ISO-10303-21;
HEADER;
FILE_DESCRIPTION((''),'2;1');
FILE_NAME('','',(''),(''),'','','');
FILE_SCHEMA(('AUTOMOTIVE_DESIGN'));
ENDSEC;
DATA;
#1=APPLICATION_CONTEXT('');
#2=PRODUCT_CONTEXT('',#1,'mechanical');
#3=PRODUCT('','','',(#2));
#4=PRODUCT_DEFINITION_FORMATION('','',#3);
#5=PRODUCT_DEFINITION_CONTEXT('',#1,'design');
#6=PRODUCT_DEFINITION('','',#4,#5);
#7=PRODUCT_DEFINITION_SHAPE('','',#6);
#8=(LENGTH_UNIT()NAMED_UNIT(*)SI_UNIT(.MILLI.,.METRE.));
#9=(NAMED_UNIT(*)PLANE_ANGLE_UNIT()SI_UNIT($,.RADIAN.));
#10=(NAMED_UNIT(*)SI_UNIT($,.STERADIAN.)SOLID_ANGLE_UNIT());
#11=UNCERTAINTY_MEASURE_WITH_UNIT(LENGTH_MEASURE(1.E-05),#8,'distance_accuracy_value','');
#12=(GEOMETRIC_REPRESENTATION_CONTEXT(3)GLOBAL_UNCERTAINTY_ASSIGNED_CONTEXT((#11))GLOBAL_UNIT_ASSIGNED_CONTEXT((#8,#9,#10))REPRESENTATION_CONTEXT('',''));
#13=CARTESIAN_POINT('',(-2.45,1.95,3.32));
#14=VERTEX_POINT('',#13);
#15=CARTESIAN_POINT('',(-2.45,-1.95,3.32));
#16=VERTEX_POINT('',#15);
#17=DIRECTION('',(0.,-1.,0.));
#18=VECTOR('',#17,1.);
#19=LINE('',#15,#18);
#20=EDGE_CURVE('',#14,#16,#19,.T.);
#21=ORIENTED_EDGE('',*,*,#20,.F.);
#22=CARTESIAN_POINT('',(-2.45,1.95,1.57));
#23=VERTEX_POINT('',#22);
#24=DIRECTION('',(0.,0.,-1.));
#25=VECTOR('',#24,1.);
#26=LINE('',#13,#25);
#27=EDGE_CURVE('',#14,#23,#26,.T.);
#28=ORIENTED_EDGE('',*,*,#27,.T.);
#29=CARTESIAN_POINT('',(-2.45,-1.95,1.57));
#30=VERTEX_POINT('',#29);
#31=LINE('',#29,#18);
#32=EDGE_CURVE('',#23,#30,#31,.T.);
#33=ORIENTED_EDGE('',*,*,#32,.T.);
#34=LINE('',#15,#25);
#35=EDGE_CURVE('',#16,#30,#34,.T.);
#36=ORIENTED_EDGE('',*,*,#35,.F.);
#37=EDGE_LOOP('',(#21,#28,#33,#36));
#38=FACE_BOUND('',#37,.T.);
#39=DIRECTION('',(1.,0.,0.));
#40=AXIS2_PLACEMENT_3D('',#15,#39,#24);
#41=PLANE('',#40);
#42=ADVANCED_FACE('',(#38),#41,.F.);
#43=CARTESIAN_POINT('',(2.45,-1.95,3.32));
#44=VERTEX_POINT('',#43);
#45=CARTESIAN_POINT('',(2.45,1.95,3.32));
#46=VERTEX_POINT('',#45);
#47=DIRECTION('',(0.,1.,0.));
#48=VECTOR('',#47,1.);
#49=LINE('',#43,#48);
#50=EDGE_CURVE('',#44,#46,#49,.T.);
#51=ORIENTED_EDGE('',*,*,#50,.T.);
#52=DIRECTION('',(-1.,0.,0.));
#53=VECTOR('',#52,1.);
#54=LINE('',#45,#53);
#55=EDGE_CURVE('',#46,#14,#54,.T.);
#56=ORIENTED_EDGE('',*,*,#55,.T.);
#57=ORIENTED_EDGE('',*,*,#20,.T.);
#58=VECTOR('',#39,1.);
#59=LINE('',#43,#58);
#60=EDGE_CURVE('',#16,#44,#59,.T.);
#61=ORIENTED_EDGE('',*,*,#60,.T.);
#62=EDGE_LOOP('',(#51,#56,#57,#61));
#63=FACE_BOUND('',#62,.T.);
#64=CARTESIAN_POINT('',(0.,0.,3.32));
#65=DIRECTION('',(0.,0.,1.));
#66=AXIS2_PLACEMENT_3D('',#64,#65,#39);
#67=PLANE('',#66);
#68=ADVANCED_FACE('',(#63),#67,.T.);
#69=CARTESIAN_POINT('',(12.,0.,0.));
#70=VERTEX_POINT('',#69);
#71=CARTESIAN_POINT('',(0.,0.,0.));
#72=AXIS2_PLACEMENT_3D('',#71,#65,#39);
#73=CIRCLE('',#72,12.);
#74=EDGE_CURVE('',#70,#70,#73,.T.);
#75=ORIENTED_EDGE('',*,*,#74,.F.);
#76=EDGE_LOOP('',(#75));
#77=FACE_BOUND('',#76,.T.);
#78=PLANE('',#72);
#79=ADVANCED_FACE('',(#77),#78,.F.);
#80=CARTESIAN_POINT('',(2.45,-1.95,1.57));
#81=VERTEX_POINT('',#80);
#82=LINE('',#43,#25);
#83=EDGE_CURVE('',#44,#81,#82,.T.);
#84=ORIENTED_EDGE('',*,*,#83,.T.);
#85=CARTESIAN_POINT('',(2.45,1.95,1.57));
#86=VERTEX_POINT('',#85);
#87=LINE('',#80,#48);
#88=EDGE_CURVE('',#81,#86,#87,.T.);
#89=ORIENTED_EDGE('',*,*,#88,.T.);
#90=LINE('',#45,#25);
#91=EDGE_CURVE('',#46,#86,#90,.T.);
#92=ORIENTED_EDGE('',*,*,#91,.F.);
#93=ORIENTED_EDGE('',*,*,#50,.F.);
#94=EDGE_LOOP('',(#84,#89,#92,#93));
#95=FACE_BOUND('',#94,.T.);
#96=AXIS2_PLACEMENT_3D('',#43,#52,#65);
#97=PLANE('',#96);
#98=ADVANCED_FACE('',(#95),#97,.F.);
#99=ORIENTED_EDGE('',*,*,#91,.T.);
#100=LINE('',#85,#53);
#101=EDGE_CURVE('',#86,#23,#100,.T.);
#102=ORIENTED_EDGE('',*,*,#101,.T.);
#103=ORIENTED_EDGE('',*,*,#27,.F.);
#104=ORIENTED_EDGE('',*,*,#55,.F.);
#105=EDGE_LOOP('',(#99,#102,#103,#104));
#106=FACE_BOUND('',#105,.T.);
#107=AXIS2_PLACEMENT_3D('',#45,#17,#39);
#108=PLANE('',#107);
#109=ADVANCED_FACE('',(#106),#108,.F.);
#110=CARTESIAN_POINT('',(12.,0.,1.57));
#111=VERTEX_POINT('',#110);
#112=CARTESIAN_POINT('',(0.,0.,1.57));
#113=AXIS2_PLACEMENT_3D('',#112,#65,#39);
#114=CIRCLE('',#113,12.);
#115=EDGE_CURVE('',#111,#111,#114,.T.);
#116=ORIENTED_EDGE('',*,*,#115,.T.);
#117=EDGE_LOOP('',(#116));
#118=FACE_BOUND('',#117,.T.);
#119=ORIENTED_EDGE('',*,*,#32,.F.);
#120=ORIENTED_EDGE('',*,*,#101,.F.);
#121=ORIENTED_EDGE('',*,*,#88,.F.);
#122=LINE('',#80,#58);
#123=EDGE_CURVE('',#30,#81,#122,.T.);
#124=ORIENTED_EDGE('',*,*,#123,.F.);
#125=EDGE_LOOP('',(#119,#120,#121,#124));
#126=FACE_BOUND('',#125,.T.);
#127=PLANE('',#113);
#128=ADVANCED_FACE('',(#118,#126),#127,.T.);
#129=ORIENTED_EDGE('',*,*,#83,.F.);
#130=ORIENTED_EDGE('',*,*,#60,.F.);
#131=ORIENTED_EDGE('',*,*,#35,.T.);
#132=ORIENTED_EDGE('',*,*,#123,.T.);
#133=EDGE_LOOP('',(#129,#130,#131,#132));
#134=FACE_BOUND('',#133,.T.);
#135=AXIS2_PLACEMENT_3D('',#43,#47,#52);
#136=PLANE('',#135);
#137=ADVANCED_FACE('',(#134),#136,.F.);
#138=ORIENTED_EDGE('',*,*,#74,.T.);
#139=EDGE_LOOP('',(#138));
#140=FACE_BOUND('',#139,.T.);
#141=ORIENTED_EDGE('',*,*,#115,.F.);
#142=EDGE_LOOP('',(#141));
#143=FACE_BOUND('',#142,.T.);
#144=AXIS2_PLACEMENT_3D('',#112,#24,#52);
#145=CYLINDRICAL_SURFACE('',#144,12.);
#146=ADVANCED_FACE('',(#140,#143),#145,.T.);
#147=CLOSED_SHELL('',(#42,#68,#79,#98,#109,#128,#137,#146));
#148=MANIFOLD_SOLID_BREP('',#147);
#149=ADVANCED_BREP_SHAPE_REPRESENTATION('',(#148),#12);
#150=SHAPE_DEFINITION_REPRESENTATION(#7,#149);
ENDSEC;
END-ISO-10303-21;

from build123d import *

# Parameters (mm, degrees)
SKETCH1_R           = 12
BOSS_EXTRUDE1_DEPTH = 1.57
SKETCH2_W           = 4.9
SKETCH2_H           = 3.9
BOSS_EXTRUDE2_DEPTH = 1.75


with BuildPart() as part:
    # Sketch1 → Boss-Extrude1 (new body)
    with BuildSketch(Plane.XY):
        Circle(SKETCH1_R)
    extrude(amount=BOSS_EXTRUDE1_DEPTH)

    # Sketch2 → Boss-Extrude2 (add)
    with BuildSketch(Plane.XY.offset(1.57)):
        Rectangle(SKETCH2_W, SKETCH2_H)
    extrude(amount=BOSS_EXTRUDE2_DEPTH)


solid = part.part
